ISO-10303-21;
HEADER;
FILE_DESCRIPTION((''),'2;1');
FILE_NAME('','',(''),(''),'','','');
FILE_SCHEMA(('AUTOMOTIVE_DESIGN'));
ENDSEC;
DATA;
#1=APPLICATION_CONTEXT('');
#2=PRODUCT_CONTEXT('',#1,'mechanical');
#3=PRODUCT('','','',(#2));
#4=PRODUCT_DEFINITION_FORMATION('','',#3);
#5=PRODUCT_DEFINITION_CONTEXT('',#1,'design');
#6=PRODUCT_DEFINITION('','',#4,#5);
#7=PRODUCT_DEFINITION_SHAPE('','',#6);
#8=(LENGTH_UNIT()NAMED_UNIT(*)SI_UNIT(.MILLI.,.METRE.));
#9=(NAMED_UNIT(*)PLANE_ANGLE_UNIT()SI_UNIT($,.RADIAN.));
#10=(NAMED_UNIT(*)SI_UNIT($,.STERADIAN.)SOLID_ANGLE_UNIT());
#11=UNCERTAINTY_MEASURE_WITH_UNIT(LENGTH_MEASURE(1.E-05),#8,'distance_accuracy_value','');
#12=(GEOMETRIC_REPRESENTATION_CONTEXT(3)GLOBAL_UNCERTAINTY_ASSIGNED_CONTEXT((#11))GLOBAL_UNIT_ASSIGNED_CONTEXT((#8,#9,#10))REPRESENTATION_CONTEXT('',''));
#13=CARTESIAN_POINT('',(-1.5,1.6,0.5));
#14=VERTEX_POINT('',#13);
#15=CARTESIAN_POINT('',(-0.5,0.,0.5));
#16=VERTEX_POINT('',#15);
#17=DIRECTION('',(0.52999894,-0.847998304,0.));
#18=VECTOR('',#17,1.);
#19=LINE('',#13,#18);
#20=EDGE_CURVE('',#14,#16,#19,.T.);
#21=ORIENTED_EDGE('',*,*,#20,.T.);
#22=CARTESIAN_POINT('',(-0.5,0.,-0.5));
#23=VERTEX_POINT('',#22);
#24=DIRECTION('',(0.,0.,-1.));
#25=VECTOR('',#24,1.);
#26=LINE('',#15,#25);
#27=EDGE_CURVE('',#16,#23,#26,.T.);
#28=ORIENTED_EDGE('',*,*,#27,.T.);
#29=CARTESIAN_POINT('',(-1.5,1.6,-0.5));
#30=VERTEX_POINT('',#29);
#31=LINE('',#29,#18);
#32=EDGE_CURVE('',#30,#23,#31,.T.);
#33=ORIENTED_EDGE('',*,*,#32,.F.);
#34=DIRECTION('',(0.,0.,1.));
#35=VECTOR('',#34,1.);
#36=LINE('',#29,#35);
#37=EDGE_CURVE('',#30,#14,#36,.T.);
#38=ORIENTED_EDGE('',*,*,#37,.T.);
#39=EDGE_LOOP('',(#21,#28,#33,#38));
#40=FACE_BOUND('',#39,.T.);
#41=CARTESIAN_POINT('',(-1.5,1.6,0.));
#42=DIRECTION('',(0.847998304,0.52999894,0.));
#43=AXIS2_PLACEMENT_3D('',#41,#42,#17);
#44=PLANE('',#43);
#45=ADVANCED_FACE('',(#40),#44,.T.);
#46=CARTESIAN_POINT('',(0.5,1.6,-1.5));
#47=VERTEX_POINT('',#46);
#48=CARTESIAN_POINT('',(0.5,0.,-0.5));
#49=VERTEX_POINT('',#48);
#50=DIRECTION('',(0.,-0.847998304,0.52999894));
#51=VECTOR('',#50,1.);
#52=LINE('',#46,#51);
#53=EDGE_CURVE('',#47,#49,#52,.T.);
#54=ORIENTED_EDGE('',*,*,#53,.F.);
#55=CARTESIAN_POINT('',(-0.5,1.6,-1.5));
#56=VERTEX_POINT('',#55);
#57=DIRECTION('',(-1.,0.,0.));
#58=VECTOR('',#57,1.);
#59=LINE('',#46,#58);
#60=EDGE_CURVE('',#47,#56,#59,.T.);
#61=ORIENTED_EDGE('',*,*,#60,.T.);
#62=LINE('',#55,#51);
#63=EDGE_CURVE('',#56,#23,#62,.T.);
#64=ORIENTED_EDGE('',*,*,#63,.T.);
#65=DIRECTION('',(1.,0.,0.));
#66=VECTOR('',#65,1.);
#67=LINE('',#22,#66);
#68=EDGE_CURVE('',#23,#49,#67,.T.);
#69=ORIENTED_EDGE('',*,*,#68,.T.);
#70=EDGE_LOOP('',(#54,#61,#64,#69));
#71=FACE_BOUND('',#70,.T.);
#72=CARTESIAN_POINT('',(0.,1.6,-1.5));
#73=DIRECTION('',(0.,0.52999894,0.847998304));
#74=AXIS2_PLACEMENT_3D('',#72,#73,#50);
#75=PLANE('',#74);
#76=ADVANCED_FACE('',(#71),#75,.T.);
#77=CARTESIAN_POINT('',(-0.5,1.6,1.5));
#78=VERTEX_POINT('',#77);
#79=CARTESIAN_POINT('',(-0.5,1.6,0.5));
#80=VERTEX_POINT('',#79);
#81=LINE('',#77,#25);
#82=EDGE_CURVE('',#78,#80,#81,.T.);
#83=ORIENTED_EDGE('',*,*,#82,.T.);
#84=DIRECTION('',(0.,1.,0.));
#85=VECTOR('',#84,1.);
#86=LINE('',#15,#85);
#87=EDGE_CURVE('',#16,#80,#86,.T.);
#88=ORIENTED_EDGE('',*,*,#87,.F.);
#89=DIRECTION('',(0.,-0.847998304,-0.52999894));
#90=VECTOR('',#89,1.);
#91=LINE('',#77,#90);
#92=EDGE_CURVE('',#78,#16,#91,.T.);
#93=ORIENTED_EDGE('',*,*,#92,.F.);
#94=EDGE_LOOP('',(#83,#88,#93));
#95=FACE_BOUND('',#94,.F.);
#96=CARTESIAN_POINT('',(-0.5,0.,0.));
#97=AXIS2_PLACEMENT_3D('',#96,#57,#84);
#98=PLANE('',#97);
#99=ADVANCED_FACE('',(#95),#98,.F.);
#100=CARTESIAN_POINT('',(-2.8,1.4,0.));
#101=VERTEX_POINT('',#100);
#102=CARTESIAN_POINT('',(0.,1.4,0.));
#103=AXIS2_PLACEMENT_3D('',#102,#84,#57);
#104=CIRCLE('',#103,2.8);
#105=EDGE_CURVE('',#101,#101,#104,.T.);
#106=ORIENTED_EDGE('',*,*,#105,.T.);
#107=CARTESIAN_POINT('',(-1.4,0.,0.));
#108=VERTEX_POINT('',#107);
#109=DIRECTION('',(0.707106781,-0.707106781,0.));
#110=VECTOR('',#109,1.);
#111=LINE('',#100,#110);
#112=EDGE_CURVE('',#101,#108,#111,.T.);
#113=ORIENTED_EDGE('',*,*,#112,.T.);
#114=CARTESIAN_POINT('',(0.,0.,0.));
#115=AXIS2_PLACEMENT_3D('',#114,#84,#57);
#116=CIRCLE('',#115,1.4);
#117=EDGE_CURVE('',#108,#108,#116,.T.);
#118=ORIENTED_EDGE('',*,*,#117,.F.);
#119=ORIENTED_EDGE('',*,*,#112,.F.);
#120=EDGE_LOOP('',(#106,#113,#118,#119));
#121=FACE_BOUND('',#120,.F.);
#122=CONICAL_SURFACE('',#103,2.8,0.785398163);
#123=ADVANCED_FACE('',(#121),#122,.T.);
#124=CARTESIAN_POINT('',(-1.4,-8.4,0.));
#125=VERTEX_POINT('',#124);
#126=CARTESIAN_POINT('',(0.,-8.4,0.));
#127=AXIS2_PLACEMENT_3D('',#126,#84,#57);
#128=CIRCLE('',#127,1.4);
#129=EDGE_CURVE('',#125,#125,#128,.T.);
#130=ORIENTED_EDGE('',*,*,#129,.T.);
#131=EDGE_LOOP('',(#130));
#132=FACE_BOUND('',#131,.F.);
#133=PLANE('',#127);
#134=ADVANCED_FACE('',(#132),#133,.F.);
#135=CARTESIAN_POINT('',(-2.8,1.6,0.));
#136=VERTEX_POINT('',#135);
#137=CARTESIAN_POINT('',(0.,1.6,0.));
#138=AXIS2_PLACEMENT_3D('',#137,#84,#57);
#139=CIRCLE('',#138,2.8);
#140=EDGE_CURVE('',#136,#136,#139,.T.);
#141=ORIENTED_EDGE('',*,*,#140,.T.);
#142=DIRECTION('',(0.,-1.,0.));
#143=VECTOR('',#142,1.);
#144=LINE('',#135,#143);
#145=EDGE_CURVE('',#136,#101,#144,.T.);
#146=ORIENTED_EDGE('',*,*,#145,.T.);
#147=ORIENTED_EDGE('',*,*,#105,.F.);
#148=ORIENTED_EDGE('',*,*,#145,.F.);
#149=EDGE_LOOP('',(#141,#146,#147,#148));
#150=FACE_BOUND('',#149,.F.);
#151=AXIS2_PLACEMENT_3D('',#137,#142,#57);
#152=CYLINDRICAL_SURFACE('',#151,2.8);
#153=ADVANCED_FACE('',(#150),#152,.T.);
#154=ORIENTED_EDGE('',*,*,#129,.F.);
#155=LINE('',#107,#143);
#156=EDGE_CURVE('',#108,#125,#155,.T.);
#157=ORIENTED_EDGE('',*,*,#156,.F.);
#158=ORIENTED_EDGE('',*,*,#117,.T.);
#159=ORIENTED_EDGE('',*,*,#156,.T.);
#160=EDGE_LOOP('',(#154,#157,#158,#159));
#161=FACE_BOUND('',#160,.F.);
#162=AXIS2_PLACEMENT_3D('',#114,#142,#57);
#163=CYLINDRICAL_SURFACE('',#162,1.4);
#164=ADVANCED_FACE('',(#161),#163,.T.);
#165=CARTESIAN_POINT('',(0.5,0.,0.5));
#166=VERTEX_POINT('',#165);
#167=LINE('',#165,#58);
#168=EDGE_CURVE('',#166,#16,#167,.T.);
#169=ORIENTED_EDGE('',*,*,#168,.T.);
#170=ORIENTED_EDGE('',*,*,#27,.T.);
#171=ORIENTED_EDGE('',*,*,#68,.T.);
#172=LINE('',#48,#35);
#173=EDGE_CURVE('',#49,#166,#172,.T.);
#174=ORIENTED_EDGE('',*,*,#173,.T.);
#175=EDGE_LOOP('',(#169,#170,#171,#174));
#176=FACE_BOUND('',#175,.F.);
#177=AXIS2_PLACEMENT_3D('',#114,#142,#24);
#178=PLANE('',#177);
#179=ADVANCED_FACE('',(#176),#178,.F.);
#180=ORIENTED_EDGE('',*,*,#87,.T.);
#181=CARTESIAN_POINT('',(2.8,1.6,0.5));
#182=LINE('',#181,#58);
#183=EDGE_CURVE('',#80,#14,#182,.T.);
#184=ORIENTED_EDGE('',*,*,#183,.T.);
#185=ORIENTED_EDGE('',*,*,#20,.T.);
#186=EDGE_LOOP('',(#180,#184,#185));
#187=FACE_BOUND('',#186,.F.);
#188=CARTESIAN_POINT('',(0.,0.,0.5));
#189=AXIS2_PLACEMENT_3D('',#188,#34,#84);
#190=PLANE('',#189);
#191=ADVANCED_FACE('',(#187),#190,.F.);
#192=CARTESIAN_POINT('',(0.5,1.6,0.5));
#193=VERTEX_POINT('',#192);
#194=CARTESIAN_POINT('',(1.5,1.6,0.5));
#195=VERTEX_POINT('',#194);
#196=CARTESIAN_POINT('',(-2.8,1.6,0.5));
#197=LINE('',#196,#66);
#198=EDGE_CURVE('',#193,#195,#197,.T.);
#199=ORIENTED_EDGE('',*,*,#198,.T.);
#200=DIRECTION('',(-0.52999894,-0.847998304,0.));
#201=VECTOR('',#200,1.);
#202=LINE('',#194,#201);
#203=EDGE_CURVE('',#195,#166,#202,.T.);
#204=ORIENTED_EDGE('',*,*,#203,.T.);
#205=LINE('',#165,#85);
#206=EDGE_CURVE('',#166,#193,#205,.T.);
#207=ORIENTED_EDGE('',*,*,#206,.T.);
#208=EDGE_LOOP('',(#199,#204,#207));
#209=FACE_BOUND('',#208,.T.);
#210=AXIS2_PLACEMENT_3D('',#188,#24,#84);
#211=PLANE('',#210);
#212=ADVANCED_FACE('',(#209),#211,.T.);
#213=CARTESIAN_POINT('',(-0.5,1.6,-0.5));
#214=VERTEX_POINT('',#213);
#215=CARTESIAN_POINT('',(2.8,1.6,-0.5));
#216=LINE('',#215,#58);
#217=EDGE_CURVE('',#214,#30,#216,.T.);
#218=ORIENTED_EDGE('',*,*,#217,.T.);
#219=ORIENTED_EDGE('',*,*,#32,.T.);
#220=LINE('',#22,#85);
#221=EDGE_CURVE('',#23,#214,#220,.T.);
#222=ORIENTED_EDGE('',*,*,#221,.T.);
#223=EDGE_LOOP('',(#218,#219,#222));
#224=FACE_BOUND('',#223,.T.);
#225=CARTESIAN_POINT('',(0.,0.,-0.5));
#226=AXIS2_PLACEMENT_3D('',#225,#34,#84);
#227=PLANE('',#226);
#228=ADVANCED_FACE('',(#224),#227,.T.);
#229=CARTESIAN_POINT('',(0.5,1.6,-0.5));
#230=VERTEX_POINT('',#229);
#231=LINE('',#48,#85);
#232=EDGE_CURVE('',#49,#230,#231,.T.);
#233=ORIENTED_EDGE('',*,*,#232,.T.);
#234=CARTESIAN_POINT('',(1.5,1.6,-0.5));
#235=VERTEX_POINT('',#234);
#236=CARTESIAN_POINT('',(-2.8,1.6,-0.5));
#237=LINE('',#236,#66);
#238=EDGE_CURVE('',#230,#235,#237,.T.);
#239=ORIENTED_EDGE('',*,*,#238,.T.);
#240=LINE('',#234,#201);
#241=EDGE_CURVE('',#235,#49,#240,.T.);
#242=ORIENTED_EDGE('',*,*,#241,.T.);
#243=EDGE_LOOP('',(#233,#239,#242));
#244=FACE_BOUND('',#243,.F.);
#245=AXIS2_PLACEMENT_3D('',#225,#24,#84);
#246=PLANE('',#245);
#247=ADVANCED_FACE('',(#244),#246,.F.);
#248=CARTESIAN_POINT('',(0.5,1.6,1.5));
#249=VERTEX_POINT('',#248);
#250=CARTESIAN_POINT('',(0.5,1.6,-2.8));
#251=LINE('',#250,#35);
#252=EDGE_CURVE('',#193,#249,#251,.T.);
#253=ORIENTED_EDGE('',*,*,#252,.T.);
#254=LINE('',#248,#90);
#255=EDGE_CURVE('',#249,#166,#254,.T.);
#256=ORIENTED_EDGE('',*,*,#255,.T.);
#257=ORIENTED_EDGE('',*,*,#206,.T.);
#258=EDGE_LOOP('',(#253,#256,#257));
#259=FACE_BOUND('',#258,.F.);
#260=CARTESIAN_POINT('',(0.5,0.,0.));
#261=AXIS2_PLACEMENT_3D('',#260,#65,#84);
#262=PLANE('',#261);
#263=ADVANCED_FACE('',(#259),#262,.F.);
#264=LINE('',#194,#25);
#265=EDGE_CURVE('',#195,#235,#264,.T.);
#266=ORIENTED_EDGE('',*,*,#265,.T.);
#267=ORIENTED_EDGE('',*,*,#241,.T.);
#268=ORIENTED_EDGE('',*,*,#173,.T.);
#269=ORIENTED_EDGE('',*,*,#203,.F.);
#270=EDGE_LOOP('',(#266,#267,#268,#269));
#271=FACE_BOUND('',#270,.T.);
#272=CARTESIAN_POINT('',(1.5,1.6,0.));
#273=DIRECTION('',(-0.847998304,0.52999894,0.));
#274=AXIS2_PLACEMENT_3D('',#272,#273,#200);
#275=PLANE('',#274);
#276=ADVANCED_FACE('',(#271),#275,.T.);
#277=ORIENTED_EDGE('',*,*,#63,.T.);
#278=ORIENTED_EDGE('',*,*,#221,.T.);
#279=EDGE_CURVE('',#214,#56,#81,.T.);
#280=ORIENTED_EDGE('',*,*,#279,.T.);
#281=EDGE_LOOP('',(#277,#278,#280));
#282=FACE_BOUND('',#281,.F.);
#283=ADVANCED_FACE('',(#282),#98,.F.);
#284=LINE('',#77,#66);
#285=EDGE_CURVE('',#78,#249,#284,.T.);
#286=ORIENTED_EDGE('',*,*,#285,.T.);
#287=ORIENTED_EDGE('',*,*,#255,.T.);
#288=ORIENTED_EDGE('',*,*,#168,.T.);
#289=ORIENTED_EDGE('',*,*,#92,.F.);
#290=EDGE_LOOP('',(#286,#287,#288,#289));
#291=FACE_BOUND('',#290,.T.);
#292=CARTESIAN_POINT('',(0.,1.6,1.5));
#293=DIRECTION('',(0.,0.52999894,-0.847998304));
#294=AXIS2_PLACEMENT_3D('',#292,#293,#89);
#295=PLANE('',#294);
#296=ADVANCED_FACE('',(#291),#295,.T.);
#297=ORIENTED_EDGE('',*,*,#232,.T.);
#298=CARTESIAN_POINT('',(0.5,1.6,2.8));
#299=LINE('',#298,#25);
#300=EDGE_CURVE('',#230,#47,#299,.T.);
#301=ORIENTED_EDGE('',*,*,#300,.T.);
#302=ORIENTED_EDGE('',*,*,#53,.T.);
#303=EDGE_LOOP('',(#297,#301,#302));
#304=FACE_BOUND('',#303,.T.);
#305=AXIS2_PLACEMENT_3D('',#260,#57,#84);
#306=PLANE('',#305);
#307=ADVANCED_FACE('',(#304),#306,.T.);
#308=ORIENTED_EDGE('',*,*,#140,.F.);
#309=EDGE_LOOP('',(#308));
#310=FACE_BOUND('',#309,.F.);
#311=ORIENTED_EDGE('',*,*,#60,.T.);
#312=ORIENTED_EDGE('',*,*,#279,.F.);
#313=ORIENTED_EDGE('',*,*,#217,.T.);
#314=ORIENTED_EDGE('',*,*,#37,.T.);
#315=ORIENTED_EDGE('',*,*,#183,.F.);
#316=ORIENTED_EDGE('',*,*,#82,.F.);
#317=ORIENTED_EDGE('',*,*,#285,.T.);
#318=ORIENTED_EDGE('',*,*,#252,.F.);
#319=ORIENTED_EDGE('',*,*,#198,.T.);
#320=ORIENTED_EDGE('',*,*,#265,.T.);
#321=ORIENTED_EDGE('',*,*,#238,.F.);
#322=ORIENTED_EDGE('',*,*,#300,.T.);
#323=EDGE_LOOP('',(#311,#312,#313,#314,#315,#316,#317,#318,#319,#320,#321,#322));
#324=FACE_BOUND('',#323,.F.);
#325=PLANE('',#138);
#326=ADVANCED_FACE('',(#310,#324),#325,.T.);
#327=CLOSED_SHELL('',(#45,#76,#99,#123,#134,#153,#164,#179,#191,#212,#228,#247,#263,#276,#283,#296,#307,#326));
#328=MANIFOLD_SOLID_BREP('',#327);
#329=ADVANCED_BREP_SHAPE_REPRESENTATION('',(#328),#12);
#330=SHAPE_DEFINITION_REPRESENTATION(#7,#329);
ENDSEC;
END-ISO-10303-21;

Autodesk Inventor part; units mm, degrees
ref_plane "YZ Plane" through (0, 0, 0) normal (1, 0, 0) x (0, 1, 0)
ref_plane "XZ Plane" through (0, 0, 0) normal (0, 1, 0) x (-1, 0, 0)
ref_plane "XY Plane" through (0, 0, 0) normal (0, 0, 1) x (1, 0, 0)
sketch "Эскиз1" plane through (0, 0, 0) normal (0, 0, 1) x (1, 0, 0)
  line L0 (-1.4, 0) -> (-1.4, -8.4)
  line L1 (-1.4, -8.4) -> (0, -8.4)
  line L2 (0, -8.4) -> (0, 1.6)
  line L3 (0, 1.6) -> (-2.8, 1.6)
  line L4 (-2.8, 1.6) -> (-2.8, 1.4)
  line L5 (-2.8, 1.4) -> (-1.4, 0)
  point P0 (0, 0)
  dimension "d0" = 2.8
  dimension "d2" = 45
  dimension "d3" = 1.6
  dimension "d4" = 10
  dimension "d5" = 5.6
revolve "Вращение1" add sketch "Эскиз1" angle 360 about axis through (0, -8.4, 0) along (0, 1, 0)
sketch "Эскиз2" plane through (0, 0, 0) normal (1, 0, 0) x (0, 1, 0)
  line L0 (1.6, -2.8) -> (1.6, 2.8) projected
  line L1 (1.6, 1.5) -> (1.6, 0)
  line L2 (0, 0) -> (1.6, 0)
  line L3 (1.6, 1.5) -> (0, 0.5)
  line L4 (0, -1.4) -> (0, 1.4) projected
  line L5 (0, 0) -> (0, 0.5)
  dimension "d7" = 1.5
  dimension "d13" = 0.5
extrude "Выдавливание1" cut sketch "Эскиз2" along normal mid plane 1
pattern_circular "Круговой массив1" count 4 over 360 about axis through (0, -10, 0) along (0, 1, 0) of "Выдавливание1"
thread "Резьба1" size "M3x0.5" class "6g" standard "ANSI Metric M Profile" full length
properties part number "M3x10P"
